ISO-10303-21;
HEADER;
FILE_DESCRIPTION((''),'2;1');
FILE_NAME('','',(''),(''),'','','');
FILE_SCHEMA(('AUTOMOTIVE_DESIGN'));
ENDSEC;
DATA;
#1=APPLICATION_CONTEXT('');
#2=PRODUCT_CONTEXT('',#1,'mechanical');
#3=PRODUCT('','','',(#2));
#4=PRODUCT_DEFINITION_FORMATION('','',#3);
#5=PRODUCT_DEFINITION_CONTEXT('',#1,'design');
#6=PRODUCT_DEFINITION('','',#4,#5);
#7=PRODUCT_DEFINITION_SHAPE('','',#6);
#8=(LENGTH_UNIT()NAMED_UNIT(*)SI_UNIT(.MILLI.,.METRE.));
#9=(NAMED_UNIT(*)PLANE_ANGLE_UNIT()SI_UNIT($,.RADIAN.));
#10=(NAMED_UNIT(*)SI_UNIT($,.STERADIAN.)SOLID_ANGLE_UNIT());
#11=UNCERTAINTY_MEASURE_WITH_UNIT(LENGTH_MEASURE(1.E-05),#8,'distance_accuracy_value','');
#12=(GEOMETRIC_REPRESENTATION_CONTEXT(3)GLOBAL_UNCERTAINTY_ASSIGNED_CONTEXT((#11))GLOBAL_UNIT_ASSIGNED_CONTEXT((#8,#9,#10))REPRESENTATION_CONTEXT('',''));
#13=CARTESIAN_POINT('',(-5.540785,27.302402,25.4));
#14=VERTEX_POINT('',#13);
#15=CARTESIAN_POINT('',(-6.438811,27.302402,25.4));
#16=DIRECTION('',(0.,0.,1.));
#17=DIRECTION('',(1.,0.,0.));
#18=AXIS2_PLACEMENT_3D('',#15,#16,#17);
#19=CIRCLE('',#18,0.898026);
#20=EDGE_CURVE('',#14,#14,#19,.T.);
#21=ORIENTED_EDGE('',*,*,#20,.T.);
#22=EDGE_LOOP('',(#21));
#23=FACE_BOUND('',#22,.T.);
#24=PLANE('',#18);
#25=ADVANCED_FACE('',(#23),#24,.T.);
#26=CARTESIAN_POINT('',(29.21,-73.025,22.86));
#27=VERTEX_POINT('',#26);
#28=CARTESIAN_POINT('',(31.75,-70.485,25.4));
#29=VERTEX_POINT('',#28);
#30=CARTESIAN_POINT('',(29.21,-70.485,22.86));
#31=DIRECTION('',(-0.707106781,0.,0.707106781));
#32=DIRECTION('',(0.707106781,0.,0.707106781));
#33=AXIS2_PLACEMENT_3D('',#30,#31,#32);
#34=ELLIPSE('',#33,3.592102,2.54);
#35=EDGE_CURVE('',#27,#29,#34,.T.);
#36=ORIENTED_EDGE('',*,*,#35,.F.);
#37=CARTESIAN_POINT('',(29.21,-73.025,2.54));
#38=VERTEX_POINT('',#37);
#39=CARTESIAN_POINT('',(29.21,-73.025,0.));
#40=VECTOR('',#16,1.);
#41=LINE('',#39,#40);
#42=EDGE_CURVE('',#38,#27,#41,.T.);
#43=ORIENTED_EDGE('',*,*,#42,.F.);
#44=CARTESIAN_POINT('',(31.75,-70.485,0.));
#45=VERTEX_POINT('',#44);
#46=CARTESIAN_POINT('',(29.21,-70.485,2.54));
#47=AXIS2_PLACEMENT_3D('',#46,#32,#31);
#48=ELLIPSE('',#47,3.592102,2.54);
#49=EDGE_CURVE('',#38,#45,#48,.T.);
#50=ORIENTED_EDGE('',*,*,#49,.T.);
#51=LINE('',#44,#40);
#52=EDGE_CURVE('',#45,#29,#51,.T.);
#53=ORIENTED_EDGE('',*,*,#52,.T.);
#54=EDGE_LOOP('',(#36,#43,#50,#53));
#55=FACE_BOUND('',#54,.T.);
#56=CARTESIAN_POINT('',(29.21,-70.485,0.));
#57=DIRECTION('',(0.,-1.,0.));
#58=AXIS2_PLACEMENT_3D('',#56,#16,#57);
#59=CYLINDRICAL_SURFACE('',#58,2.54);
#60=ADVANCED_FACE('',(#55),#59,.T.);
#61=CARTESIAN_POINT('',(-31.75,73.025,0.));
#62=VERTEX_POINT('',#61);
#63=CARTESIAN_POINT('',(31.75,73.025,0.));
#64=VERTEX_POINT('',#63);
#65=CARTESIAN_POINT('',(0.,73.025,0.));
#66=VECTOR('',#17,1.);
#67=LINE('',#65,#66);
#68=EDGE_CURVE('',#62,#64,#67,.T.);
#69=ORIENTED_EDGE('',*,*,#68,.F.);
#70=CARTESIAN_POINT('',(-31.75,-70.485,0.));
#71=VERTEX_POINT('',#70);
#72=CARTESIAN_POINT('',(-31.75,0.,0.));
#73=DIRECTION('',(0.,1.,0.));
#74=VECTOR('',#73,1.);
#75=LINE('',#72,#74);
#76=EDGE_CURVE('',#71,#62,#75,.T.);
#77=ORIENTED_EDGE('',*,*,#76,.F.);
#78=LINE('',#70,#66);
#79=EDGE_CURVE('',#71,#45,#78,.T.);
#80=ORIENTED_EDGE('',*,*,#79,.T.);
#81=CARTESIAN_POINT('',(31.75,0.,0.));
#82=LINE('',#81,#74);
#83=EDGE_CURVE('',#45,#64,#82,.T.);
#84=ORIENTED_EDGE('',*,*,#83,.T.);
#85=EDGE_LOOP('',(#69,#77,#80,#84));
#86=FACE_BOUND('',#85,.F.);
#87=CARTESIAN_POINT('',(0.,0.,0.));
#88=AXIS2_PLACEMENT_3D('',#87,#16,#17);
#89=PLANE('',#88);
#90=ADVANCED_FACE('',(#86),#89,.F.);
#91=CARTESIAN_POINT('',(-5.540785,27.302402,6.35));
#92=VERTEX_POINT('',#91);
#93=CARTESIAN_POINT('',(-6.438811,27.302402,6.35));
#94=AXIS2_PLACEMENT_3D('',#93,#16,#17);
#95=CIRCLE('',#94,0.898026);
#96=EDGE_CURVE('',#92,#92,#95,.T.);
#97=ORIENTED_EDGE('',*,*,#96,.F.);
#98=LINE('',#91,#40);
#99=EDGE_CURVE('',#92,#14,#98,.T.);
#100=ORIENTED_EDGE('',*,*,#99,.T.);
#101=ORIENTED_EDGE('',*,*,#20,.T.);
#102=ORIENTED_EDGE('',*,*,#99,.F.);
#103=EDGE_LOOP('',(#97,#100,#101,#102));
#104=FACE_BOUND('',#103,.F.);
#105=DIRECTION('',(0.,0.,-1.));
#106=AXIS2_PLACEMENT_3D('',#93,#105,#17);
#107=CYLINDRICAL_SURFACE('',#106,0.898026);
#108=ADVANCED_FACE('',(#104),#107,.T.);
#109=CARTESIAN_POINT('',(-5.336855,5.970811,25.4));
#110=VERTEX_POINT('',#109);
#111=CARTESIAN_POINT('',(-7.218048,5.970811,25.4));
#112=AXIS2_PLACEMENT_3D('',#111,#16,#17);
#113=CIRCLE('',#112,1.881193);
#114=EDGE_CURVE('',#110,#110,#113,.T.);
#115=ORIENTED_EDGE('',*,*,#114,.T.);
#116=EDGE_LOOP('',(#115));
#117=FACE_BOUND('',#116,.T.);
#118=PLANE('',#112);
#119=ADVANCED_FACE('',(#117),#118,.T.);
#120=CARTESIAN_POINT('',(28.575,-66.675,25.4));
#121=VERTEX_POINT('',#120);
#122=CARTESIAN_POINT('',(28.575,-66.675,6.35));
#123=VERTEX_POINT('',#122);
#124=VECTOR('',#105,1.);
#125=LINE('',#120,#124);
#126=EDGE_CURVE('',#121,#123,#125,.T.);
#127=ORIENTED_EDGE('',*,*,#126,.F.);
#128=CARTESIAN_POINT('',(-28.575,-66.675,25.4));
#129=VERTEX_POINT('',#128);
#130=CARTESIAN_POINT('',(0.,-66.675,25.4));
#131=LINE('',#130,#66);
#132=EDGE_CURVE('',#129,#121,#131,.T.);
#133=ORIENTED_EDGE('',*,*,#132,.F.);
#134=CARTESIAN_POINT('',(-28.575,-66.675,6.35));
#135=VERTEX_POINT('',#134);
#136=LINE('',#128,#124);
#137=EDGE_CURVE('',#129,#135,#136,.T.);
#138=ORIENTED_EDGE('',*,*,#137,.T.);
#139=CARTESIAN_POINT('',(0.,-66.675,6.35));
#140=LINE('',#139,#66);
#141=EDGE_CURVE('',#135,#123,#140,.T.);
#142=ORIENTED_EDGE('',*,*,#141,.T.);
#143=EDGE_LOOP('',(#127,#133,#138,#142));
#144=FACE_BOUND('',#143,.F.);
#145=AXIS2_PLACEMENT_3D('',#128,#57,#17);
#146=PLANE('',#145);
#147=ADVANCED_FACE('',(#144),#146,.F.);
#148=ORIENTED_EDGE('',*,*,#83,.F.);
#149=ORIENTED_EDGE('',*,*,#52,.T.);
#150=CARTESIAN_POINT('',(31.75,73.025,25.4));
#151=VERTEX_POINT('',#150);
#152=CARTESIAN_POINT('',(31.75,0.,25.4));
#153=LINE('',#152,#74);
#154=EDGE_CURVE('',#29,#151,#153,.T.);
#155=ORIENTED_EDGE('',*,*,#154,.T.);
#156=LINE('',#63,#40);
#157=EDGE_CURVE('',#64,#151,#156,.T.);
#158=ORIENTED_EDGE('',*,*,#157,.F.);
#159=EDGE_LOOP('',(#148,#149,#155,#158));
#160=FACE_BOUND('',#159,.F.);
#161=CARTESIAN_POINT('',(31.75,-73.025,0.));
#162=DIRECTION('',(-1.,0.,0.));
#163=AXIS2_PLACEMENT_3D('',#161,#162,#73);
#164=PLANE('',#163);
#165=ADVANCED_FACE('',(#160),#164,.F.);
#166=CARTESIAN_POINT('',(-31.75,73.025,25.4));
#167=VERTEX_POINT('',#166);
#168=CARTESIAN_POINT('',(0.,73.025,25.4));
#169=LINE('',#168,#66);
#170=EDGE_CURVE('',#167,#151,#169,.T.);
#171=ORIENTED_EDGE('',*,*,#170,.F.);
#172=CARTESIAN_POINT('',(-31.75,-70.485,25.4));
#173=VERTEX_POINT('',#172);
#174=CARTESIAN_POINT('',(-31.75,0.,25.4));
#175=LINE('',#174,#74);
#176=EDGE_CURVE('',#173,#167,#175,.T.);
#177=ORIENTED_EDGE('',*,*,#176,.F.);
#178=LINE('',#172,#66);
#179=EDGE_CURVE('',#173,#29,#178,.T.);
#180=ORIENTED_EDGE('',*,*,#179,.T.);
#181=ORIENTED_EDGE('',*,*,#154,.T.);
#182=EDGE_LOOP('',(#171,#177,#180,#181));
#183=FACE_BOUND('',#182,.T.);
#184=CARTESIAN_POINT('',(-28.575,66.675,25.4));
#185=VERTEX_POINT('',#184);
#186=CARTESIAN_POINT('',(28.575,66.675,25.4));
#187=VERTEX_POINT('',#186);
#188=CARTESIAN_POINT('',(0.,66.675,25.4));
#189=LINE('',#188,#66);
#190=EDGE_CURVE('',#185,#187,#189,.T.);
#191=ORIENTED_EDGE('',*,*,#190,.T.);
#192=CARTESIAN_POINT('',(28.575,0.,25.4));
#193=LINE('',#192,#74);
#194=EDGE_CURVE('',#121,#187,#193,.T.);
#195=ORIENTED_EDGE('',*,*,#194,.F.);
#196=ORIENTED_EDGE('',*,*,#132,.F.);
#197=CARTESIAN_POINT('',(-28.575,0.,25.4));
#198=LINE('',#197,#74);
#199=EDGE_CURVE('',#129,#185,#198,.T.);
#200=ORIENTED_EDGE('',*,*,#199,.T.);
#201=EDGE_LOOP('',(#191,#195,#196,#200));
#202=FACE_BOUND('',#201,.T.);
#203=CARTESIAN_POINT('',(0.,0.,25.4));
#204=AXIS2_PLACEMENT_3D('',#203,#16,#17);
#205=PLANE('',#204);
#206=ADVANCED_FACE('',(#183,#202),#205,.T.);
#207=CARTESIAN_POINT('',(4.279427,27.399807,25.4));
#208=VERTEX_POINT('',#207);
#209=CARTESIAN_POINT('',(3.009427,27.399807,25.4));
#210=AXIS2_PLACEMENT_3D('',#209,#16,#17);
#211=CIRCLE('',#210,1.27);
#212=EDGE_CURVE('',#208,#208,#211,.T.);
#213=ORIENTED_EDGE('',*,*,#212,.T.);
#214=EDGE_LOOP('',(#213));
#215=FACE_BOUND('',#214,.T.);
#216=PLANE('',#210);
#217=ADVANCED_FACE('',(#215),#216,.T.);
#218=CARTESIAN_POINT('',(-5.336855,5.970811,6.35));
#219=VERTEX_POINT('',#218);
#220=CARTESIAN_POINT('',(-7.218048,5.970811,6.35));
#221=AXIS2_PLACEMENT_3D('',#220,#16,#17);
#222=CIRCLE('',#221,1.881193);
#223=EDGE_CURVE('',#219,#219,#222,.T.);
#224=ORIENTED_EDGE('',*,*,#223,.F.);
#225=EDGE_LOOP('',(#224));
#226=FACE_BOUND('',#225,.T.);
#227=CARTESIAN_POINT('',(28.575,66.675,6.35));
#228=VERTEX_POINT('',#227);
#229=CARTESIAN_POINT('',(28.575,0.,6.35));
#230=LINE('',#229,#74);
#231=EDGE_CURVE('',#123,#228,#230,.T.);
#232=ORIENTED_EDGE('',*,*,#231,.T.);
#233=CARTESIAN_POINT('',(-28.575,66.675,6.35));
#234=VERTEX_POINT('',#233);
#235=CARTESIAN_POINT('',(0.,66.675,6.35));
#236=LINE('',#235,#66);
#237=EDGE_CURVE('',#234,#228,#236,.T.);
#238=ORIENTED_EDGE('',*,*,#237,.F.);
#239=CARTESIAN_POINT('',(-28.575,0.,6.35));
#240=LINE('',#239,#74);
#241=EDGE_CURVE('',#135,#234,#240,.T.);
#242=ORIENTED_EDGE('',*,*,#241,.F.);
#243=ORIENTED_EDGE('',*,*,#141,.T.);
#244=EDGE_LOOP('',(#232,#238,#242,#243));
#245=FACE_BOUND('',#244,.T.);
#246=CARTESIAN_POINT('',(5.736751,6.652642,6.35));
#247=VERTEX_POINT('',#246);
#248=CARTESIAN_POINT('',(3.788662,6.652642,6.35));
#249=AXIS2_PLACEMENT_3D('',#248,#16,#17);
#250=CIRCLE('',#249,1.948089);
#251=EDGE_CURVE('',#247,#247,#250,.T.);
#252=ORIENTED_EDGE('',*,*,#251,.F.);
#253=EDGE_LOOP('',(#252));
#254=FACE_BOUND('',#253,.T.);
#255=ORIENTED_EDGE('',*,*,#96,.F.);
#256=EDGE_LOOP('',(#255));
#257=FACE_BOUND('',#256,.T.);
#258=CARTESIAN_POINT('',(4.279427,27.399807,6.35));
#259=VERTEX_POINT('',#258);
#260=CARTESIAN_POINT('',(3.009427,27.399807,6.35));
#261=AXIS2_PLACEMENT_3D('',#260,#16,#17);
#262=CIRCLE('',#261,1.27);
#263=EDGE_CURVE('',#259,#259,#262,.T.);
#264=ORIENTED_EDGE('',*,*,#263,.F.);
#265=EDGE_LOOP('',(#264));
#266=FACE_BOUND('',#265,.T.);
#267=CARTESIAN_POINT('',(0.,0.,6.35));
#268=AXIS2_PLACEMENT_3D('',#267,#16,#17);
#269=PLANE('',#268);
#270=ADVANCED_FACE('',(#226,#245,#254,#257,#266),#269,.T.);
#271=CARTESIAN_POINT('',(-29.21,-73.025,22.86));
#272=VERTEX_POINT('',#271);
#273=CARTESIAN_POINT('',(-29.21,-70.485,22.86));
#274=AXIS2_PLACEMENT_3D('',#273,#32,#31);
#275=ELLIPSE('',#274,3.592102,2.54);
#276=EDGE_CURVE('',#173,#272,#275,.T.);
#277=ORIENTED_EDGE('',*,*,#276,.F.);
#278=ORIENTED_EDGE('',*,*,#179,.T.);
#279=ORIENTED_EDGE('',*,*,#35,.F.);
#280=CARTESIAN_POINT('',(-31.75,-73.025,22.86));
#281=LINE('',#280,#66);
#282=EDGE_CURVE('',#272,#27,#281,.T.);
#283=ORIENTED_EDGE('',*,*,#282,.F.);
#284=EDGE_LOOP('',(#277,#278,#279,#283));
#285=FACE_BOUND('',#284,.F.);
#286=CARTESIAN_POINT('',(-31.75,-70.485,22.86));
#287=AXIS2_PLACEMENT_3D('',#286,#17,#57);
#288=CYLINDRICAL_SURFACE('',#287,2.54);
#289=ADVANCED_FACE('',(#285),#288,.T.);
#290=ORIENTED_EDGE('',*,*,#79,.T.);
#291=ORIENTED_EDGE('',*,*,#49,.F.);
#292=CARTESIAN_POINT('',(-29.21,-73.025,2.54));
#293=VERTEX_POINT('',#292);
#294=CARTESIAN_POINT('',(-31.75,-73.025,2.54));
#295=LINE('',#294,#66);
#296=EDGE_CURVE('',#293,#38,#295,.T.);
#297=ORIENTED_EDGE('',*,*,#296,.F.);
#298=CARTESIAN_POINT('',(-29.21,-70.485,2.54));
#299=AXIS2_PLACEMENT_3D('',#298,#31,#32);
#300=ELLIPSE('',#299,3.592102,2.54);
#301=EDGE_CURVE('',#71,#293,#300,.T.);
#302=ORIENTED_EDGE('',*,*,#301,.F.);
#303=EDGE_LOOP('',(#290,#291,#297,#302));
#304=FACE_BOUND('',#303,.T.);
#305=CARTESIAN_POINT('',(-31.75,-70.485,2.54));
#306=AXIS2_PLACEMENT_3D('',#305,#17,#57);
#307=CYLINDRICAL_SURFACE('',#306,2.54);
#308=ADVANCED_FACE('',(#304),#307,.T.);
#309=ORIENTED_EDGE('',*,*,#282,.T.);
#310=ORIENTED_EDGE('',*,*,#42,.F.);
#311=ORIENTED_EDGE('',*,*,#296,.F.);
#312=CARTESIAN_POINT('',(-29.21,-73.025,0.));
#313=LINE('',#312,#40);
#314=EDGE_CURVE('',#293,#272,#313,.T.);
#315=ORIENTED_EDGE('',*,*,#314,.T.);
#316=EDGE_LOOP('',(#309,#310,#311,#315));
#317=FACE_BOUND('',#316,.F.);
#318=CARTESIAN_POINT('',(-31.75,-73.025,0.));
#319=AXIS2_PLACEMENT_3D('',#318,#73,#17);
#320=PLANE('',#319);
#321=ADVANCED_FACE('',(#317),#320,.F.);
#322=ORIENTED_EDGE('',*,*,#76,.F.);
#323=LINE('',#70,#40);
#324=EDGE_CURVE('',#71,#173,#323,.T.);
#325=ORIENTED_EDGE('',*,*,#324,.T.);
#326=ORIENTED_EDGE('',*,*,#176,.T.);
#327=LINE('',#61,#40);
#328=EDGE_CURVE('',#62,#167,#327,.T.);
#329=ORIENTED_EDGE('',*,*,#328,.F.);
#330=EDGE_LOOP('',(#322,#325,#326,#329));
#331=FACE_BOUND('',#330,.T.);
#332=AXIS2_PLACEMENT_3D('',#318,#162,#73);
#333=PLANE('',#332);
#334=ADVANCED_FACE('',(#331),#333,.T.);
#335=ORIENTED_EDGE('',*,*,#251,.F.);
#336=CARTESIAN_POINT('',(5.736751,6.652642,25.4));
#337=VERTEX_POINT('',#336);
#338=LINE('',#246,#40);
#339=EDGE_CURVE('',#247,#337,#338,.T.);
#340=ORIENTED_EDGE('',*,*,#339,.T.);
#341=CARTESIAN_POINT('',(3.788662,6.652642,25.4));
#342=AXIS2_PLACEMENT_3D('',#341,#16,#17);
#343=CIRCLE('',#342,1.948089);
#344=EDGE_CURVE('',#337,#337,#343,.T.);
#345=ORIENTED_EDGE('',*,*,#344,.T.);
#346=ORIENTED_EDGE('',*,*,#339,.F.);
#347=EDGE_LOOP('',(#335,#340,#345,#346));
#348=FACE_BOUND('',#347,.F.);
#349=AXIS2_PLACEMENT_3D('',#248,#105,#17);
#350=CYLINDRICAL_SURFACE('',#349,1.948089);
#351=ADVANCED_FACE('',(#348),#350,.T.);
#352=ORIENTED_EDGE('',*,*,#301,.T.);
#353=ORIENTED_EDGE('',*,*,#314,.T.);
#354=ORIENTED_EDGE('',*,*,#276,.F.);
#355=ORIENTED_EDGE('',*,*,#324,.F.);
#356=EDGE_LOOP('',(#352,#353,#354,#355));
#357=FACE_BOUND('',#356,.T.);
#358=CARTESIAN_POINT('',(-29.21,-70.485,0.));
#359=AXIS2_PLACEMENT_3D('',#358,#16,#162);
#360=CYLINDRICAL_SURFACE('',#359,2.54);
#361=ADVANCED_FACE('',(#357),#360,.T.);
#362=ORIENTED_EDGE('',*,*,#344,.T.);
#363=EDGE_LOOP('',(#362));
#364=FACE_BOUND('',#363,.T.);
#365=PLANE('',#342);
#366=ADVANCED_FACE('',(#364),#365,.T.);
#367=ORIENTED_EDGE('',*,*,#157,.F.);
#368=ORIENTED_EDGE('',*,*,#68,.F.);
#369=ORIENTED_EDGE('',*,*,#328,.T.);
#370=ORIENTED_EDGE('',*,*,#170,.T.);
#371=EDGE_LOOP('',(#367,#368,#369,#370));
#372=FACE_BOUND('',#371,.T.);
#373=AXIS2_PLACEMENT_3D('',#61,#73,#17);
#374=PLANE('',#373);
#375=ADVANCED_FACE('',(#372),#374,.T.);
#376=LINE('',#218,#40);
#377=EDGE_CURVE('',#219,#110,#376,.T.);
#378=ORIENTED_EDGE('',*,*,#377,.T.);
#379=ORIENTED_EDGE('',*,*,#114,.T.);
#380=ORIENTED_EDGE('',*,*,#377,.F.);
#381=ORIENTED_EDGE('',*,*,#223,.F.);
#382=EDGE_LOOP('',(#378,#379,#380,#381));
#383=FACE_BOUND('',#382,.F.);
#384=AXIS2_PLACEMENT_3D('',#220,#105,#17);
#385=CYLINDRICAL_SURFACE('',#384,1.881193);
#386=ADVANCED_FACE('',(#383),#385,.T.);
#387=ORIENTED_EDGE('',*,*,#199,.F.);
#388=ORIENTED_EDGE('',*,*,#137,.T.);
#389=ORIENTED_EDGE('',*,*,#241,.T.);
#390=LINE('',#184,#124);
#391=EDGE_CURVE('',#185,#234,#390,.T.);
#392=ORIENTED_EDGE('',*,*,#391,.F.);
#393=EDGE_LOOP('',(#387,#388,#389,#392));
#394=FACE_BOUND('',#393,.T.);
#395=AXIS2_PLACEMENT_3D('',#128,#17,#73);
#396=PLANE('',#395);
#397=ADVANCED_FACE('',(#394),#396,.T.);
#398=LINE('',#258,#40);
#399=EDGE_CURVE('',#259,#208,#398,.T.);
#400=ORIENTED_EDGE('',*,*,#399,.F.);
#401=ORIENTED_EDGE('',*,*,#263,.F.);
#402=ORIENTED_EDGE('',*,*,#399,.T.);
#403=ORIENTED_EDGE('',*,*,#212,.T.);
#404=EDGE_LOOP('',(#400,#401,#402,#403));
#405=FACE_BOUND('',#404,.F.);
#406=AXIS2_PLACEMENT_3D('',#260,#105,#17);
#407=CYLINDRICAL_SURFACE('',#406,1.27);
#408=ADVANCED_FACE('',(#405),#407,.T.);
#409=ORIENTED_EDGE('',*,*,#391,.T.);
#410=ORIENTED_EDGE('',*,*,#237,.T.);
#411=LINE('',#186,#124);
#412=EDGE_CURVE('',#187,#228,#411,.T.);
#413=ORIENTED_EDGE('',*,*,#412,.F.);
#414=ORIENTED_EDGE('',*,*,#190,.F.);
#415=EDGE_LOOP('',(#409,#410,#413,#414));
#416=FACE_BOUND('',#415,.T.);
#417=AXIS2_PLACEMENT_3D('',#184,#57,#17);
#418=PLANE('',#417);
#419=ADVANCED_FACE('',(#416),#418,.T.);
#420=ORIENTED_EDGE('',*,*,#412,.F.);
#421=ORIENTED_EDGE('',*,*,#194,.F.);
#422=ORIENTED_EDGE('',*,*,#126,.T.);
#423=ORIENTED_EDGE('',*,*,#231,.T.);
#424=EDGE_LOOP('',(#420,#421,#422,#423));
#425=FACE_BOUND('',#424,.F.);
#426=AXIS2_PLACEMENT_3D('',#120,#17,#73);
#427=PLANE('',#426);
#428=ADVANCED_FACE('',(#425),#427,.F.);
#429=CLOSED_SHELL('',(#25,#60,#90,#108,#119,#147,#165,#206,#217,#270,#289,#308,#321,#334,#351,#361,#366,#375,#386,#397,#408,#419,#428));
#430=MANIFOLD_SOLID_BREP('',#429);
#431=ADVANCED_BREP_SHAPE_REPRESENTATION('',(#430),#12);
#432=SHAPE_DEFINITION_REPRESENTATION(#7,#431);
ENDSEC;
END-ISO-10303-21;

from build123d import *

# Parameters (mm, degrees)
F0_W     = 63.5
F0_H     = 146.05
F1_DEPTH = 25.4
F2_W     = 57.15
F2_H     = 133.35
F3_DEPTH = 19.05
F4_R     = 0.898026
F4_R_2   = 1.27
F4_R_3   = 1.881193
F4_R_4   = 1.948089
F5_DEPTH = 19.05
F6_R     = 2.54


with BuildPart() as f1:
    # F0 (on Top) → F1 (new body)
    with BuildSketch(Plane.XY):
        Rectangle(F0_W, F0_H)
    extrude(amount=F1_DEPTH)

    # F2 (on face) → F3 (cut)
    with BuildSketch(Plane.XY.offset(25.4)):
        Rectangle(F2_W, F2_H)
    extrude(amount=-F3_DEPTH, mode=Mode.SUBTRACT)

    # F4 (on face) → F5 (join)
    with BuildSketch(Plane.XY.offset(6.35)):
        with Locations((-6.438811, 27.302402)):
            Circle(F4_R)
        with Locations((3.009427, 27.399807)):
            Circle(F4_R_2)
        with Locations((-7.218048, 5.970811)):
            Circle(F4_R_3)
        with Locations((3.788662, 6.652642)):
            Circle(F4_R_4)
    extrude(amount=F5_DEPTH)

    # F6
    f6_edges = [f1.edges().sort_by_distance(p)[0] for p in [
        (-31.75, -73.025, 12.7),
        (31.75, -73.025, 12.7),
        (0, -73.025, 0),
        (0, -73.025, 25.4),
    ]]
    fillet(f6_edges, radius=F6_R)


solid = f1.part
